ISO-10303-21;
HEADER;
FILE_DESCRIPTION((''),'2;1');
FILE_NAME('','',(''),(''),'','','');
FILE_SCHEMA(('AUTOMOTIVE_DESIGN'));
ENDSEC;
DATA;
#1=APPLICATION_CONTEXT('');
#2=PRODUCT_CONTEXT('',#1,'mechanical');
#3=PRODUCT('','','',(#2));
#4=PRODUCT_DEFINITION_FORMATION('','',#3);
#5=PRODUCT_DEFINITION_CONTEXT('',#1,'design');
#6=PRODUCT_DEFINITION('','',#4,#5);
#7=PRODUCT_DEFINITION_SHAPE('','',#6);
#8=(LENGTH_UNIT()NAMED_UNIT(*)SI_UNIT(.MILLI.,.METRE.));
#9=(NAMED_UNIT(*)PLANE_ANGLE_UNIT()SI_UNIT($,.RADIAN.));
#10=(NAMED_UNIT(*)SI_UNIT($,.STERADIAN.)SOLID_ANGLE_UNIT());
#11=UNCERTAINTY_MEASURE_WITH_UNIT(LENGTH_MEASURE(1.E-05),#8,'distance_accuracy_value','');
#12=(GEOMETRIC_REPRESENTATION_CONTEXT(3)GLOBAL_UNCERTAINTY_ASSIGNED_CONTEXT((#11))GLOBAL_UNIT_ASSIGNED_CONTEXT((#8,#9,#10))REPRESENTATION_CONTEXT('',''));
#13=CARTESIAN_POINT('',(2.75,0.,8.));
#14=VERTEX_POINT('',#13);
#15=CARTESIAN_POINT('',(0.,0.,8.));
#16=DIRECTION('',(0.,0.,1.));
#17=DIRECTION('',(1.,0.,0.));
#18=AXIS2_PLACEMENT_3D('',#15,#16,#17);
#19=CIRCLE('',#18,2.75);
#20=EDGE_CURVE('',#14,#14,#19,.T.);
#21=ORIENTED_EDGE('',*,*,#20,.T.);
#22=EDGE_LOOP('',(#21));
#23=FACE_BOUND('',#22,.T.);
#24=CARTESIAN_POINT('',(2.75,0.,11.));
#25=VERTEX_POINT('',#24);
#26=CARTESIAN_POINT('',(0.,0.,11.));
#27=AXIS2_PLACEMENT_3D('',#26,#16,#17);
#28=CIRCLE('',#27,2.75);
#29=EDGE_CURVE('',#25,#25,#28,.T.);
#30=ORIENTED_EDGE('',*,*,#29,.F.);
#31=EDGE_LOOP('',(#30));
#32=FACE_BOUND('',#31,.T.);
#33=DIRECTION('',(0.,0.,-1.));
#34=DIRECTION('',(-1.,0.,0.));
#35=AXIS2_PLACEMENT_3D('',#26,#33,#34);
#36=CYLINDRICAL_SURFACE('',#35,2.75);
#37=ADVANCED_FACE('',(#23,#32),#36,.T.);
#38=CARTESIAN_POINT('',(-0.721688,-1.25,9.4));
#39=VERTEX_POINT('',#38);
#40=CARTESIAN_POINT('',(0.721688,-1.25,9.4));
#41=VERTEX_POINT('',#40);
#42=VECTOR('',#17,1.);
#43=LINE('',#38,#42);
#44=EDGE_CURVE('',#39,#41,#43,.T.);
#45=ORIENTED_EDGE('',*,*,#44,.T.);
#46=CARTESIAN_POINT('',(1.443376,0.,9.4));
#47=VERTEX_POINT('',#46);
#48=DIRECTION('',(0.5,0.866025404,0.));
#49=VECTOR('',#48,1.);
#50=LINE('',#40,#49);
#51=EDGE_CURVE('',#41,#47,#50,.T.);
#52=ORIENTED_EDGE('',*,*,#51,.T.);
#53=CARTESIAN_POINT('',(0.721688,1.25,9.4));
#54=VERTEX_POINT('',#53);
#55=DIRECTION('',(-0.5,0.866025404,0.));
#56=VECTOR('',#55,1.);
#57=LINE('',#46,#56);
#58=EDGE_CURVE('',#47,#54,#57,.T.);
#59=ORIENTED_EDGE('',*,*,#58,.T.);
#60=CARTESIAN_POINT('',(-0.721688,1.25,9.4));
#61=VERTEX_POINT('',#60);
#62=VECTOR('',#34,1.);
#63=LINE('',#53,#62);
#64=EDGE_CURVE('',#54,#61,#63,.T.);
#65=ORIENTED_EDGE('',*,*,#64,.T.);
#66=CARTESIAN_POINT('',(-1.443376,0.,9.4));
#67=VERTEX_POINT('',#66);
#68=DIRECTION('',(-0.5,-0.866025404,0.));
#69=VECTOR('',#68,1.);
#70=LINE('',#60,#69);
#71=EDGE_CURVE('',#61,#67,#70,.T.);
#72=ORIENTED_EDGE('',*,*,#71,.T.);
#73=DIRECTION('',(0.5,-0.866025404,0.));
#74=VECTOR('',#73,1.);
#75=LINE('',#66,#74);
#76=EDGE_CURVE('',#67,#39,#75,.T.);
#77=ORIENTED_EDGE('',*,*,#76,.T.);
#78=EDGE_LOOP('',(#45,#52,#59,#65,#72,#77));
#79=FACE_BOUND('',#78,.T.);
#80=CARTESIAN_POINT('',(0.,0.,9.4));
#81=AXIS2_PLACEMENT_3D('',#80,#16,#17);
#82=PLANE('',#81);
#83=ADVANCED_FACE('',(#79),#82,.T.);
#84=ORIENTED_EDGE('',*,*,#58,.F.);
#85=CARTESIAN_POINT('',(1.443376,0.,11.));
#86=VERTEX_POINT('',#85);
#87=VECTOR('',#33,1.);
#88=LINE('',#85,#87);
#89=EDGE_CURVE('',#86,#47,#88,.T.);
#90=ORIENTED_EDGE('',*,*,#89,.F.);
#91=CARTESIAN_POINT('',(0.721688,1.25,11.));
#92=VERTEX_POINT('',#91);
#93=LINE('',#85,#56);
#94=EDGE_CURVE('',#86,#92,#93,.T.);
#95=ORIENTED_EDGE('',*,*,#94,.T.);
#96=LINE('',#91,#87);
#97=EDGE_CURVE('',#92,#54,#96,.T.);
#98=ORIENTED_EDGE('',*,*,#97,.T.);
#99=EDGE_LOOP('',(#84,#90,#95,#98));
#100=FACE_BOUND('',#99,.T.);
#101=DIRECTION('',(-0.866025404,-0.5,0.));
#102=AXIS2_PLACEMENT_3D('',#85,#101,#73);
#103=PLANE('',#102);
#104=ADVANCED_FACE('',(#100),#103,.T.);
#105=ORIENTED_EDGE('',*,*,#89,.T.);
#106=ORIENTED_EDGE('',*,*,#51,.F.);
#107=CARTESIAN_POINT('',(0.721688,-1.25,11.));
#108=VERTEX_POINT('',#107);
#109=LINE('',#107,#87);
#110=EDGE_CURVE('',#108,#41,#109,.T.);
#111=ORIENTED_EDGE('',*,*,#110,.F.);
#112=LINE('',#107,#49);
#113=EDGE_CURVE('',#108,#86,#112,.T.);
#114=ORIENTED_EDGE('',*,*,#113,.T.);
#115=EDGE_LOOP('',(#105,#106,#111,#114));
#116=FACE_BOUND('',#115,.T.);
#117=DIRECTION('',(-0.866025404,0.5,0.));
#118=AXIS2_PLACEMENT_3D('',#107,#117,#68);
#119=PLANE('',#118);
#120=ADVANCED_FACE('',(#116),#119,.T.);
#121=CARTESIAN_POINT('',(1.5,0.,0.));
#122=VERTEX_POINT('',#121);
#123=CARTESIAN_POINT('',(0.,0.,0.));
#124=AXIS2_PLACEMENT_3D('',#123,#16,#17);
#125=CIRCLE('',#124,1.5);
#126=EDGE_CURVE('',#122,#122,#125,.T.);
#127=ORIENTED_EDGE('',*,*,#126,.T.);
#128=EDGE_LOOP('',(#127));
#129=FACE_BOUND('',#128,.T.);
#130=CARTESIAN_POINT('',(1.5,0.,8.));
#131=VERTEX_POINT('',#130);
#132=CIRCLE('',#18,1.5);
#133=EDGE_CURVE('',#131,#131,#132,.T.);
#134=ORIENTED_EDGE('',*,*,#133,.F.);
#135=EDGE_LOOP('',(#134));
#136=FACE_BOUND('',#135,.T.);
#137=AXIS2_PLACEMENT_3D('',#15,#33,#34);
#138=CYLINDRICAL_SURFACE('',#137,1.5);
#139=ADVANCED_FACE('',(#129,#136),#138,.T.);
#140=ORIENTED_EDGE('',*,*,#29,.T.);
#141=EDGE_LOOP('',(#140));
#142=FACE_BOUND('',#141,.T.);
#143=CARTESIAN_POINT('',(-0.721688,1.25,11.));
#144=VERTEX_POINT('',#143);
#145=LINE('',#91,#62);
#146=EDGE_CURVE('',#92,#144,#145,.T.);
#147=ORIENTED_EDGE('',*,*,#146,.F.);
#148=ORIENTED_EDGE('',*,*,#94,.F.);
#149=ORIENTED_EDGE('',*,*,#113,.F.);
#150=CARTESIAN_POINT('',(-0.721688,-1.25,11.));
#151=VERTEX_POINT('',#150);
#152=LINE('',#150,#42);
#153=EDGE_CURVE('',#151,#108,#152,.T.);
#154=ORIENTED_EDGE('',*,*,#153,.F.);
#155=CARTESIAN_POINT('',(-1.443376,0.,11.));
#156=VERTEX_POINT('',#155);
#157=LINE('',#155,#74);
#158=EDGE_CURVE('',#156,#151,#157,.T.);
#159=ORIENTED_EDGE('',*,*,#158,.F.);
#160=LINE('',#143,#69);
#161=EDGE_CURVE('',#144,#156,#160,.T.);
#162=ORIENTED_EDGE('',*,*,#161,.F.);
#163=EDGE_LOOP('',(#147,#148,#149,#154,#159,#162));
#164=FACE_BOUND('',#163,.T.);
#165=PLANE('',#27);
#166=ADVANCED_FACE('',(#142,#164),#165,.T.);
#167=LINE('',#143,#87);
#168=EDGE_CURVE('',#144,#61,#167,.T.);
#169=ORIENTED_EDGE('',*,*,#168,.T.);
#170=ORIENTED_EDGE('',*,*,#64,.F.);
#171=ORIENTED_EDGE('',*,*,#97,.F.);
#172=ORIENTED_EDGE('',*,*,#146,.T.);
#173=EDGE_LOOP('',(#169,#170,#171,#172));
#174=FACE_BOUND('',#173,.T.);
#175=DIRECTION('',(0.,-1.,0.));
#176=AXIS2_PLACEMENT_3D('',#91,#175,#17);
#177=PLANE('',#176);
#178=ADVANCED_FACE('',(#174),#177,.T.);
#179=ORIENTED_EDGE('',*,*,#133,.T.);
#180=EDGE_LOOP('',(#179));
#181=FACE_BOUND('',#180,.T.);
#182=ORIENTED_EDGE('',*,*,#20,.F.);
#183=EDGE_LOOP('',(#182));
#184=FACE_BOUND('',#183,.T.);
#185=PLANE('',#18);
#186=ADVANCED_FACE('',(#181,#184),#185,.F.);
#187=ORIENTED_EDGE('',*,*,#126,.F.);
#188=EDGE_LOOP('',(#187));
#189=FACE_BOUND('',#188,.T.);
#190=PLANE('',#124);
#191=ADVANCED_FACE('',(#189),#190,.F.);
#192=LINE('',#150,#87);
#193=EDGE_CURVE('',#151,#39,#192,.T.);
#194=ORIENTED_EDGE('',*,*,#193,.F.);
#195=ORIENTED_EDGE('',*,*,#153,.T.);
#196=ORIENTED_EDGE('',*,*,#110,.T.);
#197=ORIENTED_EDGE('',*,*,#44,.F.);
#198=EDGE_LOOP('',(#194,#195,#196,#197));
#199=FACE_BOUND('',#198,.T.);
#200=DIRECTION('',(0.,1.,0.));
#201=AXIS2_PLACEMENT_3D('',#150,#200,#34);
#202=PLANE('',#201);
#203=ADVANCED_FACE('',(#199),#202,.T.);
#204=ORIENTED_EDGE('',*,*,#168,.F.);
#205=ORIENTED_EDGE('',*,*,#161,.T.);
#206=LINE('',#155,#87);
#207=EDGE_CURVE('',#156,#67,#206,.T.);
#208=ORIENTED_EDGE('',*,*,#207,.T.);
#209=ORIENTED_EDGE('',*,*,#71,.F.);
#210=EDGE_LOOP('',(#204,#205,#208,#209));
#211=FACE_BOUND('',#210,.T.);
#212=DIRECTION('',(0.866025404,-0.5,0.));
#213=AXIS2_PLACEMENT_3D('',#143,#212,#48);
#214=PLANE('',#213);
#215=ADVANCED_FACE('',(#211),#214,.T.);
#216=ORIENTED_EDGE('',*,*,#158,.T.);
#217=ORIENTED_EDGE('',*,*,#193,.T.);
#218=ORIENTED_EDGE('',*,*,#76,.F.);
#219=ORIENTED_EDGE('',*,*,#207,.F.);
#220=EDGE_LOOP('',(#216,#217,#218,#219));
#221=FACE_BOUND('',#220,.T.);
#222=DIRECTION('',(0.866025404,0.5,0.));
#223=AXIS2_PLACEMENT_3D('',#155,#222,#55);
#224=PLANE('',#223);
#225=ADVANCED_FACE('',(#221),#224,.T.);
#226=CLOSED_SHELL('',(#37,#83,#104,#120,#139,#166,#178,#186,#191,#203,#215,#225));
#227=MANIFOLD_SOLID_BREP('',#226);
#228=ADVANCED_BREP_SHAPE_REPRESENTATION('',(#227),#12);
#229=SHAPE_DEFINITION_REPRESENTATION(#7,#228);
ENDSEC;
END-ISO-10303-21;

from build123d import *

# Parameters (mm, degrees)
SKETCH1_R    = 1.5
SHANK_DEPTH  = 8
SKETCH2_R    = 2.75
HEAD_DEPTH   = 3
SOCKET_DEPTH = 1.6


with BuildPart() as part:
    # Sketch1 → Shank (new body)
    with BuildSketch(Plane.XY):
        Circle(SKETCH1_R)
    extrude(amount=SHANK_DEPTH)

    # Sketch2 → Head (add)
    with BuildSketch(Plane.XY.offset(8)):
        Circle(SKETCH2_R)
    extrude(amount=HEAD_DEPTH)

    # Sketch3 → Socket (cut)
    with BuildSketch(Plane.XY.offset(9.4)):
        Polygon((1.443375673, 0), (0.721687836, 1.25), (-0.721687836, 1.25), (-1.443375673, 0), (-0.721687836, -1.25), (0.721687836, -1.25), align=None)
    extrude(amount=SOCKET_DEPTH, mode=Mode.SUBTRACT)


solid = part.part
